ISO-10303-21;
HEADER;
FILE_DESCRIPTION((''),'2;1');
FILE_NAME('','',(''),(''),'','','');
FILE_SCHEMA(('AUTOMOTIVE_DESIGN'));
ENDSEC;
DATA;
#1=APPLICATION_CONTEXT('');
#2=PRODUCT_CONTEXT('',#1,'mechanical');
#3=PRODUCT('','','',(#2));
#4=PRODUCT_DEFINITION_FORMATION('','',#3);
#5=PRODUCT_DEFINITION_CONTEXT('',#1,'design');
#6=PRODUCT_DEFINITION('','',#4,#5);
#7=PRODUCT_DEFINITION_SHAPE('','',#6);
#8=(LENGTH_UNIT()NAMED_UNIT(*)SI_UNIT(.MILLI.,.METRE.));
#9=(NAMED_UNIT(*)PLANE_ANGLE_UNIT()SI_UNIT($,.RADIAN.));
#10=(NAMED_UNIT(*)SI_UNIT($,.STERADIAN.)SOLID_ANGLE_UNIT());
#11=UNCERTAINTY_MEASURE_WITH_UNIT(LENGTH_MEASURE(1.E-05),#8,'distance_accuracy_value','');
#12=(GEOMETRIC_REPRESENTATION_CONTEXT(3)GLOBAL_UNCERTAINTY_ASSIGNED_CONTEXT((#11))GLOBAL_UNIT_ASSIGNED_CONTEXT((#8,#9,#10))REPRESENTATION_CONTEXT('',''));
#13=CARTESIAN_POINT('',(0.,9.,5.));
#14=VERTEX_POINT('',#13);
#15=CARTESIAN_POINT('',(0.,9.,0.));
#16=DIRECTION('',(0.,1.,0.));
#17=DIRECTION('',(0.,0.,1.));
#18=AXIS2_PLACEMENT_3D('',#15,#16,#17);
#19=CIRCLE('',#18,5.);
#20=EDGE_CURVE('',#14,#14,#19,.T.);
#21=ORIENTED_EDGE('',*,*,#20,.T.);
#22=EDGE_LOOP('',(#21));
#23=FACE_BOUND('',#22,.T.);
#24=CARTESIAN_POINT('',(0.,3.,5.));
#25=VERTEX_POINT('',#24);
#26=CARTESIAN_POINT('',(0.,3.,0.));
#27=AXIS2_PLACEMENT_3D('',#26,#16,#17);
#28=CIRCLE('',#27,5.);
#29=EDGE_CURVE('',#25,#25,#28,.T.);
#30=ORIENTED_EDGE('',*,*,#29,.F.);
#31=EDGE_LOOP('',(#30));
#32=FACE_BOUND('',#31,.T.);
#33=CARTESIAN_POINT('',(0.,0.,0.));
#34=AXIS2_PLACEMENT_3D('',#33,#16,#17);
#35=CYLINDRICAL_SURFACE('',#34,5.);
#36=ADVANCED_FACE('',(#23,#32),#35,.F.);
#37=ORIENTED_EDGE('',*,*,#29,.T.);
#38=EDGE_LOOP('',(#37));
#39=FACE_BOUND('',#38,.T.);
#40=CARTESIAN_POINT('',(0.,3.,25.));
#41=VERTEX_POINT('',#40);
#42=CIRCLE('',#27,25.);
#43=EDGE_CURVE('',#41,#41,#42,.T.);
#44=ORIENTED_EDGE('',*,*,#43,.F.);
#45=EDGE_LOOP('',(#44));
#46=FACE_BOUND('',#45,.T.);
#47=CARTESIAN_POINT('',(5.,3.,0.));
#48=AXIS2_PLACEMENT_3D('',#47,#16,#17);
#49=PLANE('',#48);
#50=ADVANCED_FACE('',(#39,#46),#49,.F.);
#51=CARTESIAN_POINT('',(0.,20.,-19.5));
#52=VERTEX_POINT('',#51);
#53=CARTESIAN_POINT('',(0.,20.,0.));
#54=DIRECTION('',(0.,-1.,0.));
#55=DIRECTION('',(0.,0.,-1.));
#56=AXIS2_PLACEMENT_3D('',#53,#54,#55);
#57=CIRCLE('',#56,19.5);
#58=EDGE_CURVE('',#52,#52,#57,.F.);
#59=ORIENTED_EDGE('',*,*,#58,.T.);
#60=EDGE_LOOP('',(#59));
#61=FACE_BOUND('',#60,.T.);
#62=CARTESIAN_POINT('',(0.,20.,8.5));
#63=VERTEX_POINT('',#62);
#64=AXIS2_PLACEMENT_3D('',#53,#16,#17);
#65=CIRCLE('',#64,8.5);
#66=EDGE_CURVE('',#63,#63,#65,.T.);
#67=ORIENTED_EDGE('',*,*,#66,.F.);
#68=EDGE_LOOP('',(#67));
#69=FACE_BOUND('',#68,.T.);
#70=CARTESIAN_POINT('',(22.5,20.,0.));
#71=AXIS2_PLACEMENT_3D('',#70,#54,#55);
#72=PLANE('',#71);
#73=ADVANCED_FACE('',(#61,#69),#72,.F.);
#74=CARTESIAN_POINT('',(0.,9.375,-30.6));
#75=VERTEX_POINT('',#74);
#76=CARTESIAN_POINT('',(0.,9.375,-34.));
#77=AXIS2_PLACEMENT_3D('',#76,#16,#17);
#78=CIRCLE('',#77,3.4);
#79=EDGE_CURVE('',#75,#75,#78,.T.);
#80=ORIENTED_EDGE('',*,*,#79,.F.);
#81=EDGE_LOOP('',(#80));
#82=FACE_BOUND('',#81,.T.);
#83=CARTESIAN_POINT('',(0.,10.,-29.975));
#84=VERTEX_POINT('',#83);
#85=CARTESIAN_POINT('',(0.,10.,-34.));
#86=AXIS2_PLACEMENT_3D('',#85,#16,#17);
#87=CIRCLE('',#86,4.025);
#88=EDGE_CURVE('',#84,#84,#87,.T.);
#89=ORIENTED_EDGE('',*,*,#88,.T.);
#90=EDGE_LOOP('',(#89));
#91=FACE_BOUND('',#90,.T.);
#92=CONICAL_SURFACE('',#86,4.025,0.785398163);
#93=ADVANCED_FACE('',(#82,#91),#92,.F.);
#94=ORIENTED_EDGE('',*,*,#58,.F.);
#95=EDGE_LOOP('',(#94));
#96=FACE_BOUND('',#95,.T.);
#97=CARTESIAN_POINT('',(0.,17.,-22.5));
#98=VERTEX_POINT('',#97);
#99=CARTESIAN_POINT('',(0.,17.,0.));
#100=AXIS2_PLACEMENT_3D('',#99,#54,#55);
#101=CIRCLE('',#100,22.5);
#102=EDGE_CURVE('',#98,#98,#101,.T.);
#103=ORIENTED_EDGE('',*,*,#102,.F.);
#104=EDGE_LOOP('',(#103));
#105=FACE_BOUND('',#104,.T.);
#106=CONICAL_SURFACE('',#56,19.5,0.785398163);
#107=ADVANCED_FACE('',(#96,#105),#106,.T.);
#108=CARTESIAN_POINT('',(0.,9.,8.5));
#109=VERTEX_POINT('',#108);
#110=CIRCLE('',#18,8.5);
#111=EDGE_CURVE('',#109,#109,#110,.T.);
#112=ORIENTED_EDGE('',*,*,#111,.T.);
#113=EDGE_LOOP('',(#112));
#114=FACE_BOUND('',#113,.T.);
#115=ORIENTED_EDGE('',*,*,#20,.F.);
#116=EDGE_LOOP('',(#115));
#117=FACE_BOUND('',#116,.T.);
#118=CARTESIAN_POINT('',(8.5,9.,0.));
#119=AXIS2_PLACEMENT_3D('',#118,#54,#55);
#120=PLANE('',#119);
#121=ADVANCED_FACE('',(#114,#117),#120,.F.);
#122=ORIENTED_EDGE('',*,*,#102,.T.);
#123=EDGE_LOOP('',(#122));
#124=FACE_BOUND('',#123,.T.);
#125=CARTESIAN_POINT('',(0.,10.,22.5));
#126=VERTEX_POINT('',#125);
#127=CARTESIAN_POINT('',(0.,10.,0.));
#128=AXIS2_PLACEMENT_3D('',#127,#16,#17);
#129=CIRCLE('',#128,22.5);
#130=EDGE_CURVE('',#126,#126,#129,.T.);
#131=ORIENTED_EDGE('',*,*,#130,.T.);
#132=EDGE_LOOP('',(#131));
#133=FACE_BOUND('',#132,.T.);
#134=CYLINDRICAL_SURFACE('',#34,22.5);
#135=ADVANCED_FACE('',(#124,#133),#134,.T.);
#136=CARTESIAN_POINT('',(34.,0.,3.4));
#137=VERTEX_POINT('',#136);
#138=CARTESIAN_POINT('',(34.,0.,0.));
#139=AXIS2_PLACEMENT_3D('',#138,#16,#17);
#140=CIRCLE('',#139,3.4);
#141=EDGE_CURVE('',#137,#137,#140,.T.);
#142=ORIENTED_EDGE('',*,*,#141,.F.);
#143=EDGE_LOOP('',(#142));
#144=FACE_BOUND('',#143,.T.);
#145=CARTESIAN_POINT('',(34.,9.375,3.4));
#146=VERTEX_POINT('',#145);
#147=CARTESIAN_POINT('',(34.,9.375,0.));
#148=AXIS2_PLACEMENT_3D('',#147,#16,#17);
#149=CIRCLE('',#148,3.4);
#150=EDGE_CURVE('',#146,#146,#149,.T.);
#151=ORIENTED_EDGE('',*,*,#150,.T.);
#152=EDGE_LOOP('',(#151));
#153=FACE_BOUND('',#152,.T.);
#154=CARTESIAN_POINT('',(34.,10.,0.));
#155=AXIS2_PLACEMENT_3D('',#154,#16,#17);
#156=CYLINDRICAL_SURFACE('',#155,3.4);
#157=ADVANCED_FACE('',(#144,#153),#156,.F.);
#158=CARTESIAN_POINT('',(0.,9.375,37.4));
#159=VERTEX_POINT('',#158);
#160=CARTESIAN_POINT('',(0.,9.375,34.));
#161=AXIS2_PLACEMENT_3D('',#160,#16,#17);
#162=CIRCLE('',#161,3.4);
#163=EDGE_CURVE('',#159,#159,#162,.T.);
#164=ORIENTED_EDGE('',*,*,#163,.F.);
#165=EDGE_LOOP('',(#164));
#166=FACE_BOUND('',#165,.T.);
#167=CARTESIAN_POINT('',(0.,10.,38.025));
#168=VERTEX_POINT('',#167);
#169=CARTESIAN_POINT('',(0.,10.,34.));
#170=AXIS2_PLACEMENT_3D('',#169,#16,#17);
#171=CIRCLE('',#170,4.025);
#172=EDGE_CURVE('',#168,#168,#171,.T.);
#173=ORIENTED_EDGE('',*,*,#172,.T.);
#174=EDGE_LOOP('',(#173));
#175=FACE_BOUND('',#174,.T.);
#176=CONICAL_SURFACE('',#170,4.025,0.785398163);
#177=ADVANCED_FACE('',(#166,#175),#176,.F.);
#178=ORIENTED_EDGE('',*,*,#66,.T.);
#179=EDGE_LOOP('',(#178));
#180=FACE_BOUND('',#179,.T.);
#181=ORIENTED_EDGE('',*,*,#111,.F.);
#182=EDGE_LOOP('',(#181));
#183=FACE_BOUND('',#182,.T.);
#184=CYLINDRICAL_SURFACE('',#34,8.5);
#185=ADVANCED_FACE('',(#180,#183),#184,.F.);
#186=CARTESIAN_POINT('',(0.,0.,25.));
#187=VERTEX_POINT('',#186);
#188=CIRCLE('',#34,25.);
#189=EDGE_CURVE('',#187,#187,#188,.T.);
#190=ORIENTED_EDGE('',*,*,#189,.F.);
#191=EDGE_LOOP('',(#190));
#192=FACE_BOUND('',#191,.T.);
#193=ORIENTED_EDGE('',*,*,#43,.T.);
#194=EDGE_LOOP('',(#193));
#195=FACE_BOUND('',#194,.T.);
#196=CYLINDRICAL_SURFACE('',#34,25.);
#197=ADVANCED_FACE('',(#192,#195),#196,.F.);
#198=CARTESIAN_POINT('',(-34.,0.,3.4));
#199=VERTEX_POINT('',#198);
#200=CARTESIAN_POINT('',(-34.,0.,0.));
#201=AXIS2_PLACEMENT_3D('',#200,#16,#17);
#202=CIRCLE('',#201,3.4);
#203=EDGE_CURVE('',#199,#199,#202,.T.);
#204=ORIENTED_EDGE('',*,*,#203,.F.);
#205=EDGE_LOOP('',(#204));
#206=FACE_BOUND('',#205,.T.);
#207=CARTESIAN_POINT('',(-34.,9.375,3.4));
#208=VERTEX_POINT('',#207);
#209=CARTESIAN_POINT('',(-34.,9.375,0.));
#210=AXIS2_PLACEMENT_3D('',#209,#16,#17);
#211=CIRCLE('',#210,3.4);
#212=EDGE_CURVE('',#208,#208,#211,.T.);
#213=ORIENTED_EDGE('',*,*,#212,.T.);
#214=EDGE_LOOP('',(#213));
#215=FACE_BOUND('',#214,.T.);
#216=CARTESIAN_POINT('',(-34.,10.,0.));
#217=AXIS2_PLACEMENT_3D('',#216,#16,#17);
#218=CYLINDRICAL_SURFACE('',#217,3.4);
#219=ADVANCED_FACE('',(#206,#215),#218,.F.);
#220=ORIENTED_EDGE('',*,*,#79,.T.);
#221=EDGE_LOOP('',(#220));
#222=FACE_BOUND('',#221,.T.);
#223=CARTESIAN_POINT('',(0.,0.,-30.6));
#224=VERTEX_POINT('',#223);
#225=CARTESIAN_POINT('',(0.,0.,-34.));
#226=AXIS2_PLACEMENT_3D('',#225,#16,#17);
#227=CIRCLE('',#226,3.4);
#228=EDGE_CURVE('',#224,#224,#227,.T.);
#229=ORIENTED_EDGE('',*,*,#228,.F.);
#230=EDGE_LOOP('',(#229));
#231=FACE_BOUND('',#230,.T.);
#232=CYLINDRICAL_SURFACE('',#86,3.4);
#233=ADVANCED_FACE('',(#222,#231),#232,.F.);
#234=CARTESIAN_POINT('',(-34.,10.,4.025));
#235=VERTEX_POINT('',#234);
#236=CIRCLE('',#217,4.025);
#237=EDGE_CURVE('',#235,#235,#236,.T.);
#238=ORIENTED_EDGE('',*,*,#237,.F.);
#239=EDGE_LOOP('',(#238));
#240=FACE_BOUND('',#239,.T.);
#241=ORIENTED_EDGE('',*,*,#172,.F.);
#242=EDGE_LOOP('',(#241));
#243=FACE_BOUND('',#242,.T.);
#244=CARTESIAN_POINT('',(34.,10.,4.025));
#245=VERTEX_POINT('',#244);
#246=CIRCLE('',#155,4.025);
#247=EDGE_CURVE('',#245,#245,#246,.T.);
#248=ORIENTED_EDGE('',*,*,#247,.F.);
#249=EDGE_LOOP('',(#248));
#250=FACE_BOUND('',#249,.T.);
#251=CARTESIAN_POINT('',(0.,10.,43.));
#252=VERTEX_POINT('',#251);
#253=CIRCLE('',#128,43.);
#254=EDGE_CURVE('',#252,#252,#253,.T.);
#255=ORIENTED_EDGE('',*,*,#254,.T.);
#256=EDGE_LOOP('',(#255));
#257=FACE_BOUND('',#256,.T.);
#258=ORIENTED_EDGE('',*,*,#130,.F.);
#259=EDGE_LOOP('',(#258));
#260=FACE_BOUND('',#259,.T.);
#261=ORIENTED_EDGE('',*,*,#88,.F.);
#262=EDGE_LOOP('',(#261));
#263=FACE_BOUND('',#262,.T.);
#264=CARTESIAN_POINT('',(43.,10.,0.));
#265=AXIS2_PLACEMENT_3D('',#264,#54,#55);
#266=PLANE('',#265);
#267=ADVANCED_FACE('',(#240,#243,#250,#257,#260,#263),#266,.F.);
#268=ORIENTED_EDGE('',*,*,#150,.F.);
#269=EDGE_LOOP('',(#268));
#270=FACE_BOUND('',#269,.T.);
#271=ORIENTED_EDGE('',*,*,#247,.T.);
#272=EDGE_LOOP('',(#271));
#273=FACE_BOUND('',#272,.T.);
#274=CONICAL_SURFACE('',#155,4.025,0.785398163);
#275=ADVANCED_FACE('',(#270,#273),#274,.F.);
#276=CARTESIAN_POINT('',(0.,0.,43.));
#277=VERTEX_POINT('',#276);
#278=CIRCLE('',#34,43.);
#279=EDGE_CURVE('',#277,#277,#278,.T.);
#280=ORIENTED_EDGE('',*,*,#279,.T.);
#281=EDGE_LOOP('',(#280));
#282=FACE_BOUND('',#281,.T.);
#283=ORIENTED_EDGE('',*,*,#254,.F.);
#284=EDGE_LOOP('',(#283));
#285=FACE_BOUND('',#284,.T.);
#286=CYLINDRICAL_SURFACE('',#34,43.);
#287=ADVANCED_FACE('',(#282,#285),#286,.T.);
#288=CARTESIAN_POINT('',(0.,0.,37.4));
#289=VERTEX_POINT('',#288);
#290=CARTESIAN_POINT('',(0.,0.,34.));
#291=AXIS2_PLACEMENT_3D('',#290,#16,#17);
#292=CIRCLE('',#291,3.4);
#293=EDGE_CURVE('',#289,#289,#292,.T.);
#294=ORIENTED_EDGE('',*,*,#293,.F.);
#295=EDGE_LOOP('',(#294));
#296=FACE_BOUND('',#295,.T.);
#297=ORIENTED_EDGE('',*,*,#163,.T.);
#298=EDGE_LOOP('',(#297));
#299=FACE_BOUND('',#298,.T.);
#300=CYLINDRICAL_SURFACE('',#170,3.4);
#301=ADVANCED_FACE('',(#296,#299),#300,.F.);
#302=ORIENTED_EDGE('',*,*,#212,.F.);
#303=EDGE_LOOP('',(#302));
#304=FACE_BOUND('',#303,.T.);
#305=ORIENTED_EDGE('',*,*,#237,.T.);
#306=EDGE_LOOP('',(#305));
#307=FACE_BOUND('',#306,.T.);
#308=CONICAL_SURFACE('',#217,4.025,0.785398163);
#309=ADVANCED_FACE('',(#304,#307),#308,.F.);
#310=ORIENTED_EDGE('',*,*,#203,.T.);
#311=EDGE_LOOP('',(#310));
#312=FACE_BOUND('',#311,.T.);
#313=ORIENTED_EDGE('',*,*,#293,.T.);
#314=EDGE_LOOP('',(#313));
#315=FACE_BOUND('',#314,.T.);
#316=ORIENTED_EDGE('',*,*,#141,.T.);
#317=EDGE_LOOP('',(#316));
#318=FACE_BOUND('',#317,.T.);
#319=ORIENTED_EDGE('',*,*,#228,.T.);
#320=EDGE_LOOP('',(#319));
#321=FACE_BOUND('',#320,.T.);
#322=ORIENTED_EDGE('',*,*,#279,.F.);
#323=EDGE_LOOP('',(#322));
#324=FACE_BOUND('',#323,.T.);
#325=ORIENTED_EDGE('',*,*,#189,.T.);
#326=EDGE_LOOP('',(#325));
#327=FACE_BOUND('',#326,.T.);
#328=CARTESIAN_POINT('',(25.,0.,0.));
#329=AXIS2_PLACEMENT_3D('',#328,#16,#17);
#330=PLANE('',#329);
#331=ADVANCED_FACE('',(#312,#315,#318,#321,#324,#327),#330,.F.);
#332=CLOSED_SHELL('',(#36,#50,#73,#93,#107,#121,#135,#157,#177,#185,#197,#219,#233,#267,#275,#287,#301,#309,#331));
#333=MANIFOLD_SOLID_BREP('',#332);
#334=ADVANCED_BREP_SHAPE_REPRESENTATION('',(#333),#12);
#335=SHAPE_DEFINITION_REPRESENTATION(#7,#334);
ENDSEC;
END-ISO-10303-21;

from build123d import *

# Parameters (mm, degrees)
SKETCH3_R                   = 2.5
CUT_EXTRUDE1_DEPTH          = 10
CHAMFER1_SIZE               = 3
M8_TAPPED_HOLE1_D           = 6.8
M8_TAPPED_HOLE1_DEPTH       = 19.75
M8_TAPPED_HOLE1_CSINK_D     = 8.05
M8_TAPPED_HOLE1_CSINK_ANGLE = 90
M8_TAPPED_HOLE1_TIP         = 2.042926105


with BuildPart() as part:
    # Sketch1 → Revolve1 (revolve)
    with BuildSketch(Plane.XY, mode=Mode.PRIVATE) as revolve1_sk:
        Polygon((43, 0), (43, 10), (22.5, 10), (22.5, 20), (8.5, 20), (8.5, 9), (5, 9), (5, 3), (25, 3), (25, 0), align=None)
    revolve(revolve1_sk.sketch.rotate(Axis((0, 0, 0), (0, -1, 0)), 90), axis=Axis((0, 0, 0), (0, -1, 0)))

    # Sketch3 → Cut-Extrude1 (cut)
    with BuildSketch(Plane(origin=(0, 10, 0), x_dir=(1, 0, 0), z_dir=(0, 1, 0))):
        with Locations(Location((34, 0, 0), (0, 0, 270))):
            Circle(SKETCH3_R)
        with Locations(Location((0, -34, 0), (0, 0, 270))):
            Circle(SKETCH3_R)
        with Locations(Location((-34, 0, 0), (0, 0, 270))):
            Circle(SKETCH3_R)
        with Locations(Location((0, 34, 0), (0, 0, 270))):
            Circle(SKETCH3_R)
    extrude(amount=-CUT_EXTRUDE1_DEPTH, mode=Mode.SUBTRACT)

    # Chamfer1
    chamfer1_edges = [part.edges().sort_by_distance(p)[0] for p in [
        (0, 20, -22.5),
    ]]
    chamfer(chamfer1_edges, length=CHAMFER1_SIZE)

    # M8 Tapped Hole1
    with Locations(Plane(origin=(0, 10, -34), x_dir=(0, 0, 1), z_dir=(0, 1, 0))):
        with Locations((0, 0), (34, 34), (68, 0), (34, -34)):
            CounterSinkHole(M8_TAPPED_HOLE1_D / 2, M8_TAPPED_HOLE1_CSINK_D / 2, depth=M8_TAPPED_HOLE1_DEPTH, counter_sink_angle=M8_TAPPED_HOLE1_CSINK_ANGLE)
            with Locations((0, 0, -(M8_TAPPED_HOLE1_DEPTH + M8_TAPPED_HOLE1_TIP / 2))):  # 118° drill point
                Cone(0, M8_TAPPED_HOLE1_D / 2, M8_TAPPED_HOLE1_TIP, mode=Mode.SUBTRACT)


solid = part.part
